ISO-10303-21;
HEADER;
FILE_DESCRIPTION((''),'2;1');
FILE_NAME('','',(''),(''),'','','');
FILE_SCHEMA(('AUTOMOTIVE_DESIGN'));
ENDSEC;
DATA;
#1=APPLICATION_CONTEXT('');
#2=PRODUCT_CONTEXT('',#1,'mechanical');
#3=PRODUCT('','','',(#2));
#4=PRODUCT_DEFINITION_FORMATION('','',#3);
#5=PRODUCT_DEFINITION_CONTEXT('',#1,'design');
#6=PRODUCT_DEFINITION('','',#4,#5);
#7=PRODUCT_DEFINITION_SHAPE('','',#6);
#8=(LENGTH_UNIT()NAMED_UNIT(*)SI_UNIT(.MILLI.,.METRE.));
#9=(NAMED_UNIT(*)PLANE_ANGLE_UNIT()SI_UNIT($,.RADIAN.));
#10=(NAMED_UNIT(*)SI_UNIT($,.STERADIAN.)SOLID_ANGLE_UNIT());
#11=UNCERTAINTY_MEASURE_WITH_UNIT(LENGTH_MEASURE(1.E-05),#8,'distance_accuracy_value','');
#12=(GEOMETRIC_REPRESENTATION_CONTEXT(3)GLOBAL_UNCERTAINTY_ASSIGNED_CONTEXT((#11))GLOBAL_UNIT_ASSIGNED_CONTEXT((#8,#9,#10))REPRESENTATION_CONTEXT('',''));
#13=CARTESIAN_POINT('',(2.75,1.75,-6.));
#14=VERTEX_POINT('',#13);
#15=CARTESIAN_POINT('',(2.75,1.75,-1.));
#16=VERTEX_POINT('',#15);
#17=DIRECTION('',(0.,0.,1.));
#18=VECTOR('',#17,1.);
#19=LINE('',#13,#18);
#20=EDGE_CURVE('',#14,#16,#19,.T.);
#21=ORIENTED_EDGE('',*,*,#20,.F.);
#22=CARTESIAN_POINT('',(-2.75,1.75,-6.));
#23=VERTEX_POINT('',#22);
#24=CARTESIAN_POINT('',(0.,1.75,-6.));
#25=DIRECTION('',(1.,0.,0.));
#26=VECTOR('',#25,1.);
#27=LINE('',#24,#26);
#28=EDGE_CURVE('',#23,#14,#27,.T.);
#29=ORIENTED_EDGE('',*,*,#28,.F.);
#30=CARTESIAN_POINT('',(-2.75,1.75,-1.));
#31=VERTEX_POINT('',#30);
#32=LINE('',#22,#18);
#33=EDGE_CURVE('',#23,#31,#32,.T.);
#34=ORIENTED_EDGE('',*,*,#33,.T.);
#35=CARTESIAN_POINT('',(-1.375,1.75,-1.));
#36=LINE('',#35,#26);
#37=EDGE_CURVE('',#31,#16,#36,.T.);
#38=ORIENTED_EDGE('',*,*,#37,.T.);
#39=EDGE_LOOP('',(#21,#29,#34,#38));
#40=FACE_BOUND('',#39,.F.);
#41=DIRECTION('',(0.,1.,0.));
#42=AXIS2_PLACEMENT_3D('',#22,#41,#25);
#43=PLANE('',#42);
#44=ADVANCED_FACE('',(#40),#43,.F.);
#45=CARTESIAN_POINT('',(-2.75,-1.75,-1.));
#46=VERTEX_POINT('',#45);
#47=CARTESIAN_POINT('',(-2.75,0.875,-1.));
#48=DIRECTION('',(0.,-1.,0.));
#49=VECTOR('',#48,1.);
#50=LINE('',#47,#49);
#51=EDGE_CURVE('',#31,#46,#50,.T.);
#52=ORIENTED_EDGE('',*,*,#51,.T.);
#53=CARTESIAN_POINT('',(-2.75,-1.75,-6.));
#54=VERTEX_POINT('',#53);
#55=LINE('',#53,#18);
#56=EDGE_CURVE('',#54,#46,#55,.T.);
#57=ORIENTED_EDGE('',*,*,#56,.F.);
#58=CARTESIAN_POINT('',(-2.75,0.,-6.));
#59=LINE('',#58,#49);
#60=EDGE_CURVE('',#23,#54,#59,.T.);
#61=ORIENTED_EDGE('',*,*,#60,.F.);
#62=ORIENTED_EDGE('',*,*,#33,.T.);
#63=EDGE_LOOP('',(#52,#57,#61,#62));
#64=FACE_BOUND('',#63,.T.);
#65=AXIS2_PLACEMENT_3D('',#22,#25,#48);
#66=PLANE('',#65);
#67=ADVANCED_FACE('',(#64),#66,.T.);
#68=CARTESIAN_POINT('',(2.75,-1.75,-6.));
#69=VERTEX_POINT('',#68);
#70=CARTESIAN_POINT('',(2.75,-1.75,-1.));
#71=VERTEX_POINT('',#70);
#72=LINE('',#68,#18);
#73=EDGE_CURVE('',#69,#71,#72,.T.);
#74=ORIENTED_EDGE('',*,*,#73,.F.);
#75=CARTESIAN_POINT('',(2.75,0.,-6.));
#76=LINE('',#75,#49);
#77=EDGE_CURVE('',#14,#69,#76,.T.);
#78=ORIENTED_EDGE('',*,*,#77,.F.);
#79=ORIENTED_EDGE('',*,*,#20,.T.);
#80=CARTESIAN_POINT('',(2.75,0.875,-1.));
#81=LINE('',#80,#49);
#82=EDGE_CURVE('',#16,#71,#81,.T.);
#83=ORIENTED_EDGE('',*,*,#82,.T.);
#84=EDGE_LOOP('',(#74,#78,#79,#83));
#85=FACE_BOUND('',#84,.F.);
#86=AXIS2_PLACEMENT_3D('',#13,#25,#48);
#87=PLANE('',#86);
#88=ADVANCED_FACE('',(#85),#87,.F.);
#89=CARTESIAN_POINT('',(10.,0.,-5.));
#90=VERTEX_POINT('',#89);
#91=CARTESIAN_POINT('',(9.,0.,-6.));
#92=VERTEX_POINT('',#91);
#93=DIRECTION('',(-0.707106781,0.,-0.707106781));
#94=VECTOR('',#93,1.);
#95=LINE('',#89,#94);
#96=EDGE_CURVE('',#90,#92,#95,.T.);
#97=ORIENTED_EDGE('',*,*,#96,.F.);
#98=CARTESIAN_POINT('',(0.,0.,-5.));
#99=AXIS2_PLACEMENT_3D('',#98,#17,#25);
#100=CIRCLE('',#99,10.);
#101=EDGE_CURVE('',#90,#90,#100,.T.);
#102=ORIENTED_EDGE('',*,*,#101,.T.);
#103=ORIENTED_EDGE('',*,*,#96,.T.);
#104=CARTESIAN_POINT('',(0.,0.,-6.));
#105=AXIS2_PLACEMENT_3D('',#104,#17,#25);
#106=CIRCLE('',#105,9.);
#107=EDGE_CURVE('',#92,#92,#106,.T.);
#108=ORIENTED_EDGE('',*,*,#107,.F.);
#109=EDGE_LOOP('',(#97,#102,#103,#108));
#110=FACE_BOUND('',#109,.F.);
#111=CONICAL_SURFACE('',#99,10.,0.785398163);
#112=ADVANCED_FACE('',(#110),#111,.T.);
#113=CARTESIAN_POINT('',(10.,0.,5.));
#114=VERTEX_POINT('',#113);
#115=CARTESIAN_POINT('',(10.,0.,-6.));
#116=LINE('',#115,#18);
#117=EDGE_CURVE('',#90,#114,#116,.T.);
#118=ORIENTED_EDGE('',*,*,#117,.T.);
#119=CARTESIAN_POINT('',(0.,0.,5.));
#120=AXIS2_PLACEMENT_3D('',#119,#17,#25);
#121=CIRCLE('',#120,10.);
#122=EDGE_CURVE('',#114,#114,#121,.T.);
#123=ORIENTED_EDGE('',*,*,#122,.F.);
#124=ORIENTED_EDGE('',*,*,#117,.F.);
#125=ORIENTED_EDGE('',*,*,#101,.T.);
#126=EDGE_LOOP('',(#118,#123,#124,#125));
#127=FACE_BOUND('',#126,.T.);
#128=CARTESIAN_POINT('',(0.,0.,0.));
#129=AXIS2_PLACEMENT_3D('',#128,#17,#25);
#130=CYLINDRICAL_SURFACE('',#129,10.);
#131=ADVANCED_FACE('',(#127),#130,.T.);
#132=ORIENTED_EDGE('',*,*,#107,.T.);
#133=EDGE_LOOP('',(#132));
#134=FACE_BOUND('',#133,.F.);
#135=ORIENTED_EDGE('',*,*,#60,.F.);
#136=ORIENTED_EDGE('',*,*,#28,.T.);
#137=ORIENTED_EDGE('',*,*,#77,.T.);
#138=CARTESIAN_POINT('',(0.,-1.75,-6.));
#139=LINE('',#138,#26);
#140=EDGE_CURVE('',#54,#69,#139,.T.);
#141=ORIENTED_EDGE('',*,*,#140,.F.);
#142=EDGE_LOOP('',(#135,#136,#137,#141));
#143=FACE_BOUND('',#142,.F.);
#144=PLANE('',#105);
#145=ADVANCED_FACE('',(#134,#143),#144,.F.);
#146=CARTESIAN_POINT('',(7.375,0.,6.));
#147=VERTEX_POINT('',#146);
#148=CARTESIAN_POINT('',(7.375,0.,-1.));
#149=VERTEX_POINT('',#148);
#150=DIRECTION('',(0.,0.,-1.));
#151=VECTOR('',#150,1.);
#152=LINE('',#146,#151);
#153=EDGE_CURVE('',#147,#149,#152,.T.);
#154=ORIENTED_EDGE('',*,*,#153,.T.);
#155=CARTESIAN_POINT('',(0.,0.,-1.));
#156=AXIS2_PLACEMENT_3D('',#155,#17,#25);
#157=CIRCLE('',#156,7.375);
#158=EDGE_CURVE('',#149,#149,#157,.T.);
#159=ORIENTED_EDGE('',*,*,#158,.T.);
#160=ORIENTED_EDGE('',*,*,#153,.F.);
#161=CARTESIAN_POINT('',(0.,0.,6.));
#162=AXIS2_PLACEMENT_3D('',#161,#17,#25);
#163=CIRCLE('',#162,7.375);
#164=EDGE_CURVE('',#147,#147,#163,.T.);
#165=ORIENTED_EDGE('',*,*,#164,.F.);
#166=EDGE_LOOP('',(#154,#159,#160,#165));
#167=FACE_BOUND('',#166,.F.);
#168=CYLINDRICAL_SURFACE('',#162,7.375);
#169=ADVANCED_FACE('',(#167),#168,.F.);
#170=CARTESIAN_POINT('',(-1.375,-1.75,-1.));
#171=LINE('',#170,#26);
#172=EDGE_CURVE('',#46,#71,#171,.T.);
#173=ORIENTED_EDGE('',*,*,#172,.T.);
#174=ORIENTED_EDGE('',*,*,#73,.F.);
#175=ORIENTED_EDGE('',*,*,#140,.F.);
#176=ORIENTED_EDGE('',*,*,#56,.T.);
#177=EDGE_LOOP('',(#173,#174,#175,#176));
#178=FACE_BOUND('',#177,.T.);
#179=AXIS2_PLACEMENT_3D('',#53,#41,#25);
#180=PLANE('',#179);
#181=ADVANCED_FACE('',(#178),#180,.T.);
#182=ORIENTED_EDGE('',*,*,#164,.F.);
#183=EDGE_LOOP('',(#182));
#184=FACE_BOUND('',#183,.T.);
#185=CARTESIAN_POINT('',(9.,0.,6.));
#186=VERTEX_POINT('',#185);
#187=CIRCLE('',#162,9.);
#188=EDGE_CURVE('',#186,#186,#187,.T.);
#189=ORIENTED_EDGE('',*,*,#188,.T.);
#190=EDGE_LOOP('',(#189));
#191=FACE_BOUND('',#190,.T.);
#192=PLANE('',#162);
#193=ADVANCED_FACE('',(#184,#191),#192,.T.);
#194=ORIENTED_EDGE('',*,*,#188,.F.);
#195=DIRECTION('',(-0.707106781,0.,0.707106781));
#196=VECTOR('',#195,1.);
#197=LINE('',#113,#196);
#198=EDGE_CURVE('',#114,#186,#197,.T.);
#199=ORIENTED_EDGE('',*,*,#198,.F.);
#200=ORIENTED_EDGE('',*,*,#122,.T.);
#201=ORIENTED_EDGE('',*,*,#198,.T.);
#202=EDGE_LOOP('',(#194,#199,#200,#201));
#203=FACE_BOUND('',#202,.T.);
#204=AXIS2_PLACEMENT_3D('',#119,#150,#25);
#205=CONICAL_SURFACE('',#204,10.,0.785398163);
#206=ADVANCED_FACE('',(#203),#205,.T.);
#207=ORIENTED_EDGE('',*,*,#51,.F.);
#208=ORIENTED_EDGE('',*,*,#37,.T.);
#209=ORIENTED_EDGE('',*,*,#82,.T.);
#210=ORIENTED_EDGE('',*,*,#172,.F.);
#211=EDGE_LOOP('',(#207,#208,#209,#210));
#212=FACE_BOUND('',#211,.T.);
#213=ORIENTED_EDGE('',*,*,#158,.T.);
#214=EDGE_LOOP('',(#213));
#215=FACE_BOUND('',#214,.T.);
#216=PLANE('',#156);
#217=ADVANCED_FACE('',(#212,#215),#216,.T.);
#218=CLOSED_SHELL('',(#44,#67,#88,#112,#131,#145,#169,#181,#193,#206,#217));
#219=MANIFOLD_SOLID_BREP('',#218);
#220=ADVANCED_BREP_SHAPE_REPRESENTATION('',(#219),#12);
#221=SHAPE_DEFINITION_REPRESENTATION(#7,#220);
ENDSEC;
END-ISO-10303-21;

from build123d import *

# Parameters (mm, degrees)
SKETCH001_R     = 10
PAD_DEPTH       = 6
SKETCH_W        = 5.5
SKETCH_H        = 3.5
POCKET_DEPTH    = 12.001
SKETCH002_R     = 7.375
POCKET001_DEPTH = 7
CHAMFER_SIZE    = 1


with BuildPart() as part:
    # Sketch001 → Pad (new body, symmetric)
    with BuildSketch(Plane.XY):
        Circle(SKETCH001_R)
    extrude(amount=PAD_DEPTH, both=True)

    # Sketch → Pocket (cut, through all)
    with BuildSketch(Plane(origin=(0, 0, -6), x_dir=(1, 0, 0), z_dir=(0, 0, -1))):
        Rectangle(SKETCH_W, SKETCH_H)
    extrude(amount=-POCKET_DEPTH, mode=Mode.SUBTRACT)

    # Sketch002 → Pocket001 (cut)
    with BuildSketch(Plane.XY.offset(6)):
        Circle(SKETCH002_R)
    extrude(amount=-POCKET001_DEPTH, mode=Mode.SUBTRACT)

    # Chamfer
    chamfer_edges = [part.edges().sort_by_distance(p)[0] for p in [
        (-10, 0, 6),
        (-10, 0, -6),
    ]]
    chamfer(chamfer_edges, length=CHAMFER_SIZE)


solid = part.part
